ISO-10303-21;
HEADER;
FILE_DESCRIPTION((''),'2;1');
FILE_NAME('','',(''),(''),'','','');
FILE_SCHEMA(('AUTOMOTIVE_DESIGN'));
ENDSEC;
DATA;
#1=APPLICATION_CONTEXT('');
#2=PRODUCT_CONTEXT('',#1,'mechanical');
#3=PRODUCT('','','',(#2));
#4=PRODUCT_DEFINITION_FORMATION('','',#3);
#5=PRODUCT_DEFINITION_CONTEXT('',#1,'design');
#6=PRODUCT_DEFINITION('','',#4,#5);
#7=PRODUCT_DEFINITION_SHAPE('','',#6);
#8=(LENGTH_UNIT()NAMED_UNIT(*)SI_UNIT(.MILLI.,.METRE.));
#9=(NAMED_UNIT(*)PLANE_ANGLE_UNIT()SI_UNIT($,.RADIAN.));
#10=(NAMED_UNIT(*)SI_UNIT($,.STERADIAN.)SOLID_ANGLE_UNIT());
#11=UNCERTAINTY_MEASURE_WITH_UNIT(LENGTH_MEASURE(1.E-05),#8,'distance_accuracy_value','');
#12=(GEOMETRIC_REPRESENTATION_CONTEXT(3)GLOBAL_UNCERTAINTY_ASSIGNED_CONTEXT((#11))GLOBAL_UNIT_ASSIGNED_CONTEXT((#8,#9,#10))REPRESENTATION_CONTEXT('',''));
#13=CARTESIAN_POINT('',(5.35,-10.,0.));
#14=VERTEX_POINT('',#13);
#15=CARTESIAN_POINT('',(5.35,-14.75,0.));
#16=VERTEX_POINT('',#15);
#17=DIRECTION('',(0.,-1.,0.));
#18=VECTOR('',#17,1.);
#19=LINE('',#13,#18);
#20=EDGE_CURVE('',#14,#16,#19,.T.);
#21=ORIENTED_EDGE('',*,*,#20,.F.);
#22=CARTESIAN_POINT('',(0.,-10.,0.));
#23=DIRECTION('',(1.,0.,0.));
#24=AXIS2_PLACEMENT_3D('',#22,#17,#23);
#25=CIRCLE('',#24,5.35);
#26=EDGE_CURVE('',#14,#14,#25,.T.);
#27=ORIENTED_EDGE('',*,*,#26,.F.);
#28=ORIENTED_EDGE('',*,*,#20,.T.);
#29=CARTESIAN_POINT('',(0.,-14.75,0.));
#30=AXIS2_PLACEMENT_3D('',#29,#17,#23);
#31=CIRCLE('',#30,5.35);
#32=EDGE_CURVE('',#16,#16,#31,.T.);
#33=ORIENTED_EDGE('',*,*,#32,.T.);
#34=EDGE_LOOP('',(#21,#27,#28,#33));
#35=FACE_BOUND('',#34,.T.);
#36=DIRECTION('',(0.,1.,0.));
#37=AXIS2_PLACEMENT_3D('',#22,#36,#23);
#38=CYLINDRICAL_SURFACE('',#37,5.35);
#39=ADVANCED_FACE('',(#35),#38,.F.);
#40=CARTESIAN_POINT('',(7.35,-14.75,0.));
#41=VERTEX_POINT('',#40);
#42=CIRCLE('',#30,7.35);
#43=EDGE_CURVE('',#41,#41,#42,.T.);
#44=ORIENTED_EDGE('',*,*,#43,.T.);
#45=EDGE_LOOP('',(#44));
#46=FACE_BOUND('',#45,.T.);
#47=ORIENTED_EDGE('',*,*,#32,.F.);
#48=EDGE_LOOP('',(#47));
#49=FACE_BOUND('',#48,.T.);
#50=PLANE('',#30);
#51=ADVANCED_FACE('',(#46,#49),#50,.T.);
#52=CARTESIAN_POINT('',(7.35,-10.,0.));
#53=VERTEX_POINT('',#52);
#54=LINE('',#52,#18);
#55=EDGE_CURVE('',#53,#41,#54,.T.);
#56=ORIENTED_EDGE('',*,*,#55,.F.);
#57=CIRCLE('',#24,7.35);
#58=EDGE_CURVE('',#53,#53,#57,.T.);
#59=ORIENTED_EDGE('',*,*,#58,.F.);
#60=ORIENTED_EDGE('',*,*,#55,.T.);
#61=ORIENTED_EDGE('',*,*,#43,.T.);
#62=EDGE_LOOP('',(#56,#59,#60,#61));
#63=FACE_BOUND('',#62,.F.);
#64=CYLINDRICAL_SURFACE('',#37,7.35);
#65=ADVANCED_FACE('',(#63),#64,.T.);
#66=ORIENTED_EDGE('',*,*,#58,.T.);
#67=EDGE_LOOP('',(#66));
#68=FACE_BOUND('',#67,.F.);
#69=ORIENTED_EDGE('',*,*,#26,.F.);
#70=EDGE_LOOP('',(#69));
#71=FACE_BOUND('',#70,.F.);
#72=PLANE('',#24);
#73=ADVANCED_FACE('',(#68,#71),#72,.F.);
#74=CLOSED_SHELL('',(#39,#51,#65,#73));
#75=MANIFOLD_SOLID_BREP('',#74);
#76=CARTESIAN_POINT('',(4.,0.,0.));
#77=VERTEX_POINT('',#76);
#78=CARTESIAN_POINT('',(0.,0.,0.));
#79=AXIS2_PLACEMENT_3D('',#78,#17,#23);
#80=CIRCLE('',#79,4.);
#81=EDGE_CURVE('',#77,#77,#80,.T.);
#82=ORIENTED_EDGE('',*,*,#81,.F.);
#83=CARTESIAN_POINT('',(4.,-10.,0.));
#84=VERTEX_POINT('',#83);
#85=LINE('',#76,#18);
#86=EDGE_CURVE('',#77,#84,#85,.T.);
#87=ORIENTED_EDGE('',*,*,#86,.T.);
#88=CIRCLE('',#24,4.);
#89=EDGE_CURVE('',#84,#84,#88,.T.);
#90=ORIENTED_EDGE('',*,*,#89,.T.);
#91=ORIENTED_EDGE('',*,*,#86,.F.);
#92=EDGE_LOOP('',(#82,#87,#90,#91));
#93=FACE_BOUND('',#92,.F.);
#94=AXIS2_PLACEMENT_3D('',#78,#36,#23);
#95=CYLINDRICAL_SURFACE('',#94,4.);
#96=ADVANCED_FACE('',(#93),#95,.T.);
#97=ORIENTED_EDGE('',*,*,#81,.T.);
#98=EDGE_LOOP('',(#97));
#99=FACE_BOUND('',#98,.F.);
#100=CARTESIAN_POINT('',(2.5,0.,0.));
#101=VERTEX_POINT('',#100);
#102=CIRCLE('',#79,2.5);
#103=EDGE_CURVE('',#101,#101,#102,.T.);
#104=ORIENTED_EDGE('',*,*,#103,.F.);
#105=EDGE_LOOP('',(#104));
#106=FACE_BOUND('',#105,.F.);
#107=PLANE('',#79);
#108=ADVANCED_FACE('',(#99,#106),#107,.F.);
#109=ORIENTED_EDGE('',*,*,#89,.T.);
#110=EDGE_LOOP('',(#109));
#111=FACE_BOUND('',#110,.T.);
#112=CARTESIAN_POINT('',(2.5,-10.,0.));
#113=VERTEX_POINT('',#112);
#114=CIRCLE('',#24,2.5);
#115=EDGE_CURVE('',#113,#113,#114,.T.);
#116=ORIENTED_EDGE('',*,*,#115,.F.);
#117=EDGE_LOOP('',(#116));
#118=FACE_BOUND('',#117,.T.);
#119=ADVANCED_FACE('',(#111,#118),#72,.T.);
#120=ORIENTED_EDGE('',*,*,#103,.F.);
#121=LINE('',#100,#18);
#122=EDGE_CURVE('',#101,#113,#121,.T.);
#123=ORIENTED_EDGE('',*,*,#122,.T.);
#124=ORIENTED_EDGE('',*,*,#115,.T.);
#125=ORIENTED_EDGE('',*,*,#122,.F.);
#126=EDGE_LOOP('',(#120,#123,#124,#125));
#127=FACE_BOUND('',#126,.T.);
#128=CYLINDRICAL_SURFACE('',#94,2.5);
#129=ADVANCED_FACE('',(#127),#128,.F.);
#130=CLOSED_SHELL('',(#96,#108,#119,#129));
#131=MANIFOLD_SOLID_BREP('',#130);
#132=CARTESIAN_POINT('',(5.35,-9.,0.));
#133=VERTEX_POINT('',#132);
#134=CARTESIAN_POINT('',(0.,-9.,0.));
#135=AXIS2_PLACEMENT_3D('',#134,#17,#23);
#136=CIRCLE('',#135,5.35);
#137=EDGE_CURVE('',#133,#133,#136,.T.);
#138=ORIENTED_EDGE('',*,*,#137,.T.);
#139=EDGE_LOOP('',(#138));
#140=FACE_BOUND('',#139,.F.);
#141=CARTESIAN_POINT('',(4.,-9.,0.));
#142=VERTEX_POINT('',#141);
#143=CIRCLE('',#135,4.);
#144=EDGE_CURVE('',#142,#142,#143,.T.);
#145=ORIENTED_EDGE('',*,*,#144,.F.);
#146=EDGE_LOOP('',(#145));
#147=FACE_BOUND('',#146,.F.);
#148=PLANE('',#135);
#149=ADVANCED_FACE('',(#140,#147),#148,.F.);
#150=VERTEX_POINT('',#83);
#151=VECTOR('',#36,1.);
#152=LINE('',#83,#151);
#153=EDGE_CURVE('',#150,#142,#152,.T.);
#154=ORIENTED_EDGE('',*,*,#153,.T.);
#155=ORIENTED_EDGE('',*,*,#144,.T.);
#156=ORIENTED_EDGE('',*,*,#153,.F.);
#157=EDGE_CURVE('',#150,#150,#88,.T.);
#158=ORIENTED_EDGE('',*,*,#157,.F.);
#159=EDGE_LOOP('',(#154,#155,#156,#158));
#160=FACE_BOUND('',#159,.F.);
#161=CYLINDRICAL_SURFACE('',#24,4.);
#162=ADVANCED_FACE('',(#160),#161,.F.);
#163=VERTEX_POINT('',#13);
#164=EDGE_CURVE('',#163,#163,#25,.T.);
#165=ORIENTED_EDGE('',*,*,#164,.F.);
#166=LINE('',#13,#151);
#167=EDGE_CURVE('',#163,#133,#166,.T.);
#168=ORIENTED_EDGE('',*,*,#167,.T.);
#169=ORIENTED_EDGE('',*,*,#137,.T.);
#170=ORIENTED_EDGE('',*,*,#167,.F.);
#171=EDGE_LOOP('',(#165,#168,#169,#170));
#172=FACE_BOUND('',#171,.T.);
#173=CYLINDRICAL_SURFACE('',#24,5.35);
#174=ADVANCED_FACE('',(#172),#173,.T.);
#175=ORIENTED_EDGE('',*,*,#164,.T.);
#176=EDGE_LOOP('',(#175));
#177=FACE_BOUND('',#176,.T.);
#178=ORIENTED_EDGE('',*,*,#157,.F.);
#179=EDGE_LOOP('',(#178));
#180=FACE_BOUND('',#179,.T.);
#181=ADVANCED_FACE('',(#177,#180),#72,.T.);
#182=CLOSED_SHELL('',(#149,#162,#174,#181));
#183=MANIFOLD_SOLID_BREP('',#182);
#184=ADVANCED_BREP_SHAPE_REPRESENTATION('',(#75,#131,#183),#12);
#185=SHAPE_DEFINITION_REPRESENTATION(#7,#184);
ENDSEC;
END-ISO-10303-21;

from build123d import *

# Parameters (mm, degrees)
F0_R     = 4
F0_R_2   = 2.5
F1_DEPTH = 10
F2_R     = 7.35
F2_R_2   = 5.35
F3_DEPTH = 4.75
F2_R_3   = 4
F4_DEPTH = 1


with BuildPart() as f1:
    # F0 (on Front) → F1 (new body)
    with BuildSketch(Plane.XZ):
        Circle(F0_R)
        Circle(F0_R_2, mode=Mode.SUBTRACT)
    extrude(amount=F1_DEPTH)


with BuildPart() as f3:
    # F2 (on face) → F3 (new body)
    with BuildSketch(Plane.XZ.offset(10)):
        Circle(F2_R)
        Circle(F2_R_2, mode=Mode.SUBTRACT)
    extrude(amount=F3_DEPTH)


with BuildPart() as f4:
    # F2 (on face) → F4 (new body)
    with BuildSketch(Plane.XZ.offset(10)):
        Circle(F2_R_2)
        Circle(F2_R_3, mode=Mode.SUBTRACT)
    extrude(amount=-F4_DEPTH)


solid = Compound([f1.part, f3.part, f4.part])
